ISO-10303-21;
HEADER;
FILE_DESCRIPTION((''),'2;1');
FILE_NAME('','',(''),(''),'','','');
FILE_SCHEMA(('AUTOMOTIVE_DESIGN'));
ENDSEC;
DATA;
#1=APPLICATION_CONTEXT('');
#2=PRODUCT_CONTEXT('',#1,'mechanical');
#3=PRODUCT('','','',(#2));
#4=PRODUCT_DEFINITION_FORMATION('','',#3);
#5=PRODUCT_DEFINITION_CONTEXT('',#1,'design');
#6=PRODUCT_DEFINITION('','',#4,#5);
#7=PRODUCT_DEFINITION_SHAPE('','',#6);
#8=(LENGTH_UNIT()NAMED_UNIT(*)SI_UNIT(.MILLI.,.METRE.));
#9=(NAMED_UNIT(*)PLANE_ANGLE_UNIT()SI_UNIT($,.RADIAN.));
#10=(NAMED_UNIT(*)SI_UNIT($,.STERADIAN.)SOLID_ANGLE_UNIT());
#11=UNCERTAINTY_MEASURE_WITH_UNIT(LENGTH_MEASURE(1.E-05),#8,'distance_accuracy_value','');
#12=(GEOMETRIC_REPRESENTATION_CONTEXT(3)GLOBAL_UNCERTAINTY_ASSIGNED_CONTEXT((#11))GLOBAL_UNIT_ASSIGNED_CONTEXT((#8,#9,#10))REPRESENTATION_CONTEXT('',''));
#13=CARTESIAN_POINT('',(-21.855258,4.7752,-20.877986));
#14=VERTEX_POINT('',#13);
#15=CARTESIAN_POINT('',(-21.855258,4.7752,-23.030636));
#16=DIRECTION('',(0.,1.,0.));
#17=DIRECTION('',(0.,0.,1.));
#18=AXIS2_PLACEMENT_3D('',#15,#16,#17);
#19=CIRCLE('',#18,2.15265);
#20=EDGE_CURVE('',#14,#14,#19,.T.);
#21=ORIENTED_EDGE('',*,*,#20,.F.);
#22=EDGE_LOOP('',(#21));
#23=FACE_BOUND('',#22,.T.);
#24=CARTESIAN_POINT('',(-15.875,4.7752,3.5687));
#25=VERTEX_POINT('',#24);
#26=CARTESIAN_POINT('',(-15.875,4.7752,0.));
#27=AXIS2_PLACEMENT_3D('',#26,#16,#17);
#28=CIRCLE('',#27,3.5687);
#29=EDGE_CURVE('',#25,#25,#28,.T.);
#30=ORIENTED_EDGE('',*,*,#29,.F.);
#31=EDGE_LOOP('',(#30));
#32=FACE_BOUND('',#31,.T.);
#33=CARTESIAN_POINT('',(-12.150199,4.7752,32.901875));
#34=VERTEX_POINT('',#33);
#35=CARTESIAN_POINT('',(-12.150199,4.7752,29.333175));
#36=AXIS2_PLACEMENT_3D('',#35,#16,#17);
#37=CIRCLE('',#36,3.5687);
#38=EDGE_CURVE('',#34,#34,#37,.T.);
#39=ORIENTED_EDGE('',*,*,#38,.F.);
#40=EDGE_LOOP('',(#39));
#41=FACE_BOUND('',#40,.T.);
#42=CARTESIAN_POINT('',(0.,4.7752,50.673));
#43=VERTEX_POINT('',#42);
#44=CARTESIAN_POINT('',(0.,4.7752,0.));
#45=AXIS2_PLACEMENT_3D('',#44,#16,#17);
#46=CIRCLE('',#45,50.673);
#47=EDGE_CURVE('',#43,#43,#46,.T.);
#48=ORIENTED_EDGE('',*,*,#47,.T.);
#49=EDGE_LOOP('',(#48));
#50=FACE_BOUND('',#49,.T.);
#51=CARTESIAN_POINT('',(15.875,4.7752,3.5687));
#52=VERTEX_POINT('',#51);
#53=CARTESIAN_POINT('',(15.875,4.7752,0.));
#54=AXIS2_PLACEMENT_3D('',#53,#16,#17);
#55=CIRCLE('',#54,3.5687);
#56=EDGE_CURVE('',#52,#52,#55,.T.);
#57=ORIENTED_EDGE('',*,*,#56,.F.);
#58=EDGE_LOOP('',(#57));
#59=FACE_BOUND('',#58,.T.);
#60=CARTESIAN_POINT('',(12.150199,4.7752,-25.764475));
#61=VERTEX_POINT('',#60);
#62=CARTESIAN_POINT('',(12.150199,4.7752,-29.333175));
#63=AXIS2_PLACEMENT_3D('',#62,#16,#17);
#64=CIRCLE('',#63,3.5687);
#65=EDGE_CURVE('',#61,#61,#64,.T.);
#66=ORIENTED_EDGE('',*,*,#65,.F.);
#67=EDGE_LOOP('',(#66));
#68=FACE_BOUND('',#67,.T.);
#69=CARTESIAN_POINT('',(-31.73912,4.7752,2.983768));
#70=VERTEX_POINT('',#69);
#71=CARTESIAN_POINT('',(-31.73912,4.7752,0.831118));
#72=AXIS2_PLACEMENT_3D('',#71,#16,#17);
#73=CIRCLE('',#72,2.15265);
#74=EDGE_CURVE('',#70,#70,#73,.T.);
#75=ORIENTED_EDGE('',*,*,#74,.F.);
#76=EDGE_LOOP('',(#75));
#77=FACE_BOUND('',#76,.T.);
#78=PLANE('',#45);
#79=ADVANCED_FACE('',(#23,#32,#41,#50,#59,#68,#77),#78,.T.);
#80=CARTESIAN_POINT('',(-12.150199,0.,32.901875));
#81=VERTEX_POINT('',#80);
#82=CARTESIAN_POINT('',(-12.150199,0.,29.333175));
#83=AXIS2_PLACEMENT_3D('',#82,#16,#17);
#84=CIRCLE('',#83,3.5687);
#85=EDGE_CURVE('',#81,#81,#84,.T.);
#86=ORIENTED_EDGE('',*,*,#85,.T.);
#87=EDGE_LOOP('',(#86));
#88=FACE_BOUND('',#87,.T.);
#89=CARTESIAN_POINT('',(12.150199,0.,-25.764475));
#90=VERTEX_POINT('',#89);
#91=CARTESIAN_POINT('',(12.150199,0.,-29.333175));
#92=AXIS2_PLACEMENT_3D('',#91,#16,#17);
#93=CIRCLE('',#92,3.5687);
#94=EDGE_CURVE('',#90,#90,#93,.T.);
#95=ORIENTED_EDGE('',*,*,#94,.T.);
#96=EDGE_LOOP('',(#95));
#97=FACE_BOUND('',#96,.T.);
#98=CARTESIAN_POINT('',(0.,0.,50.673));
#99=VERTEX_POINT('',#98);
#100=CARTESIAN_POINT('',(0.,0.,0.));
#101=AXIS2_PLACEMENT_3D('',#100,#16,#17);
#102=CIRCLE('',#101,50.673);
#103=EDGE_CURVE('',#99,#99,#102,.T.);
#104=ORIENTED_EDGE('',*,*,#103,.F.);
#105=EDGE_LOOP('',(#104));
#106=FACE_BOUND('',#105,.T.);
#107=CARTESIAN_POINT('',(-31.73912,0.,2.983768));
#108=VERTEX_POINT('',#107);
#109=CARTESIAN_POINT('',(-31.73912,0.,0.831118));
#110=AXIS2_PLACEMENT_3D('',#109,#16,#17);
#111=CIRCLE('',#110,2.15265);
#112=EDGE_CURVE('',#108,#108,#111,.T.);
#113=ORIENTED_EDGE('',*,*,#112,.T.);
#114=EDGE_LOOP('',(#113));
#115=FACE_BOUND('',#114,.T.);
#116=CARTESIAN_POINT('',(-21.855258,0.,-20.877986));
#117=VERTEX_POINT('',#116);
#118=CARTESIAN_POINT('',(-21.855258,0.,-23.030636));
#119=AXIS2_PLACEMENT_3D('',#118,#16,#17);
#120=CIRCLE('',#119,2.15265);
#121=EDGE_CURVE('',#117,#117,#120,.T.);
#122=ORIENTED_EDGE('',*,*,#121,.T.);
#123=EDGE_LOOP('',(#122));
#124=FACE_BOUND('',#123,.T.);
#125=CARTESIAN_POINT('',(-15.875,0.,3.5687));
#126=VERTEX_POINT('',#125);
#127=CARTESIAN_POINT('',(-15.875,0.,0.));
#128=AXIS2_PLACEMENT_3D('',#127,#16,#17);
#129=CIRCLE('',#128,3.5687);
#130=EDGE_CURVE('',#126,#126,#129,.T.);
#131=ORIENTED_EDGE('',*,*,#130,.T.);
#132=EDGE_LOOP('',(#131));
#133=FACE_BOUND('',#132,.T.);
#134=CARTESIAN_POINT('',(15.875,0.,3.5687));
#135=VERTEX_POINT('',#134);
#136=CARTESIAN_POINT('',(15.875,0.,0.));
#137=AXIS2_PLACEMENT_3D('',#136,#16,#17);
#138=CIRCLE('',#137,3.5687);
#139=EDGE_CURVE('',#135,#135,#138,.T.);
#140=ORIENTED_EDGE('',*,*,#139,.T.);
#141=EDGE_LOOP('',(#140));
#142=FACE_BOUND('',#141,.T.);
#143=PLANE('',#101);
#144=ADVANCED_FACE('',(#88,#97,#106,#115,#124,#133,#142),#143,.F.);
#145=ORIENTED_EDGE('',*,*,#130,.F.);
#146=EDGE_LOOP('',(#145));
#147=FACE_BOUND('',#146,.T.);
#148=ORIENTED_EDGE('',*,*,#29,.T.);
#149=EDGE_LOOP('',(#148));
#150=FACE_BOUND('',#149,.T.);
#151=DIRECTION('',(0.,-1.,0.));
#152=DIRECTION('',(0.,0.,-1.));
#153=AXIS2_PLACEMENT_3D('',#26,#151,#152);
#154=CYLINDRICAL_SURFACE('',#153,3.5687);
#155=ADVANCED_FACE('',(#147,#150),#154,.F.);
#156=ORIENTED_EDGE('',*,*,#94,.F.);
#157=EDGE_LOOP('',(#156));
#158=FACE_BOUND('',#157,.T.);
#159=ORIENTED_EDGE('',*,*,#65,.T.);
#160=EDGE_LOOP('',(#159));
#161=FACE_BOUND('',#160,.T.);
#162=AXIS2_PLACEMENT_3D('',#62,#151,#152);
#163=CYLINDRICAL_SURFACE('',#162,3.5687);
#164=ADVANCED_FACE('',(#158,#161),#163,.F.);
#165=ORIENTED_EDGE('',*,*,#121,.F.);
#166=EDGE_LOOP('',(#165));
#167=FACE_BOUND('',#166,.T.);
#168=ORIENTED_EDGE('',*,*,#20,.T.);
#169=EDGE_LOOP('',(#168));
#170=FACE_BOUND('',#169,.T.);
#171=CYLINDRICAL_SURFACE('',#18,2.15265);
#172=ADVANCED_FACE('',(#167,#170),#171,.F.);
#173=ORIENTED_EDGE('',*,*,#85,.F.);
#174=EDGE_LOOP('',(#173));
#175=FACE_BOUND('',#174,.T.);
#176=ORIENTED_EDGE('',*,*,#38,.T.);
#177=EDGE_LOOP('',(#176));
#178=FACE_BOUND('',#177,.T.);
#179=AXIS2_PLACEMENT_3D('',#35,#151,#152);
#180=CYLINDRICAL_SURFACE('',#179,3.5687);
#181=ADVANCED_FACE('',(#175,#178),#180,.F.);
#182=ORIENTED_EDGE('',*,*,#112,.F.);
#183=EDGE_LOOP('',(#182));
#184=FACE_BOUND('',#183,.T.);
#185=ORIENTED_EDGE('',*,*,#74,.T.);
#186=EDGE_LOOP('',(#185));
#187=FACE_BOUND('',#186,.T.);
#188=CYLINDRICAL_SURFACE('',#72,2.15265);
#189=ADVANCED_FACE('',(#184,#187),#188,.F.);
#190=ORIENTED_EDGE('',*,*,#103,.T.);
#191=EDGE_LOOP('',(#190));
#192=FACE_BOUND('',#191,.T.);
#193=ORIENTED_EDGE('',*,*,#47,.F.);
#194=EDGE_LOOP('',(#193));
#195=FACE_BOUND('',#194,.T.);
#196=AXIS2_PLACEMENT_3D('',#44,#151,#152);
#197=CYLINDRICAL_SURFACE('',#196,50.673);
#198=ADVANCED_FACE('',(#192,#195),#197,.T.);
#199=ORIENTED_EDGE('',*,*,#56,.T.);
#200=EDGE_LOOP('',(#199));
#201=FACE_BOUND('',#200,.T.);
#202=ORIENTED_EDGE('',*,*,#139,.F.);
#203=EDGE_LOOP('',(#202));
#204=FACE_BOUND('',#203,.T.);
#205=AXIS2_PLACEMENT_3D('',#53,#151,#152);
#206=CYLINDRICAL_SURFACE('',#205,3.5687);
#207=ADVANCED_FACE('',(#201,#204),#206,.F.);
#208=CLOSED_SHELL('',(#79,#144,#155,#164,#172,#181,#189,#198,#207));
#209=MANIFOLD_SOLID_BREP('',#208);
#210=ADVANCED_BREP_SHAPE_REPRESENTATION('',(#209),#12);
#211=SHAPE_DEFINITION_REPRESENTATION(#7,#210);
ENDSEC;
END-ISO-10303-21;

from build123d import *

# Parameters (mm, degrees)
SKETCH1_R                 = 50.673
SKETCH1_R_2               = 3.5687
BOSS_EXTRUDE1_DEPTH       = 4.7752
F_6_CLEARANCE_HOLE1_D     = 4.3053
F_6_CLEARANCE_HOLE1_DEPTH = 10.668
F_6_CLEARANCE_HOLE1_TIP   = 1.293442612


with BuildPart() as part:
    # Sketch1 → Boss-Extrude1 (new body)
    with BuildSketch(Plane(origin=(0, 0, 0), x_dir=(1, 0, 0), z_dir=(0, 1, 0))):
        with Locations(Location((0, 0, 0), (0, 0, 270))):
            Circle(SKETCH1_R)
        with Locations(Location((12.150198978, 29.333175157, 0), (0, 0, 270))):
            Circle(SKETCH1_R_2, mode=Mode.SUBTRACT)
        with Locations(Location((-12.150198978, -29.333175157, 0), (0, 0, 270))):
            Circle(SKETCH1_R_2, mode=Mode.SUBTRACT)
        with Locations(Location((-15.875, 0, 0), (0, 0, 270))):
            Circle(SKETCH1_R_2, mode=Mode.SUBTRACT)
        with Locations(Location((15.875, 0, 0), (0, 0, 270))):
            Circle(SKETCH1_R_2, mode=Mode.SUBTRACT)
    extrude(amount=BOSS_EXTRUDE1_DEPTH)

    # #6 Clearance Hole1
    with Locations(Plane(origin=(0, 4.7752, 0), x_dir=(1, 0, 0), z_dir=(0, 1, 0))):
        with Locations((-21.855257778, 23.03063628), (-31.739120068, -0.831118109)):
            Hole(F_6_CLEARANCE_HOLE1_D / 2, depth=F_6_CLEARANCE_HOLE1_DEPTH)
            with Locations((0, 0, -(F_6_CLEARANCE_HOLE1_DEPTH + F_6_CLEARANCE_HOLE1_TIP / 2))):  # 118° drill point
                Cone(0, F_6_CLEARANCE_HOLE1_D / 2, F_6_CLEARANCE_HOLE1_TIP, mode=Mode.SUBTRACT)


solid = part.part
